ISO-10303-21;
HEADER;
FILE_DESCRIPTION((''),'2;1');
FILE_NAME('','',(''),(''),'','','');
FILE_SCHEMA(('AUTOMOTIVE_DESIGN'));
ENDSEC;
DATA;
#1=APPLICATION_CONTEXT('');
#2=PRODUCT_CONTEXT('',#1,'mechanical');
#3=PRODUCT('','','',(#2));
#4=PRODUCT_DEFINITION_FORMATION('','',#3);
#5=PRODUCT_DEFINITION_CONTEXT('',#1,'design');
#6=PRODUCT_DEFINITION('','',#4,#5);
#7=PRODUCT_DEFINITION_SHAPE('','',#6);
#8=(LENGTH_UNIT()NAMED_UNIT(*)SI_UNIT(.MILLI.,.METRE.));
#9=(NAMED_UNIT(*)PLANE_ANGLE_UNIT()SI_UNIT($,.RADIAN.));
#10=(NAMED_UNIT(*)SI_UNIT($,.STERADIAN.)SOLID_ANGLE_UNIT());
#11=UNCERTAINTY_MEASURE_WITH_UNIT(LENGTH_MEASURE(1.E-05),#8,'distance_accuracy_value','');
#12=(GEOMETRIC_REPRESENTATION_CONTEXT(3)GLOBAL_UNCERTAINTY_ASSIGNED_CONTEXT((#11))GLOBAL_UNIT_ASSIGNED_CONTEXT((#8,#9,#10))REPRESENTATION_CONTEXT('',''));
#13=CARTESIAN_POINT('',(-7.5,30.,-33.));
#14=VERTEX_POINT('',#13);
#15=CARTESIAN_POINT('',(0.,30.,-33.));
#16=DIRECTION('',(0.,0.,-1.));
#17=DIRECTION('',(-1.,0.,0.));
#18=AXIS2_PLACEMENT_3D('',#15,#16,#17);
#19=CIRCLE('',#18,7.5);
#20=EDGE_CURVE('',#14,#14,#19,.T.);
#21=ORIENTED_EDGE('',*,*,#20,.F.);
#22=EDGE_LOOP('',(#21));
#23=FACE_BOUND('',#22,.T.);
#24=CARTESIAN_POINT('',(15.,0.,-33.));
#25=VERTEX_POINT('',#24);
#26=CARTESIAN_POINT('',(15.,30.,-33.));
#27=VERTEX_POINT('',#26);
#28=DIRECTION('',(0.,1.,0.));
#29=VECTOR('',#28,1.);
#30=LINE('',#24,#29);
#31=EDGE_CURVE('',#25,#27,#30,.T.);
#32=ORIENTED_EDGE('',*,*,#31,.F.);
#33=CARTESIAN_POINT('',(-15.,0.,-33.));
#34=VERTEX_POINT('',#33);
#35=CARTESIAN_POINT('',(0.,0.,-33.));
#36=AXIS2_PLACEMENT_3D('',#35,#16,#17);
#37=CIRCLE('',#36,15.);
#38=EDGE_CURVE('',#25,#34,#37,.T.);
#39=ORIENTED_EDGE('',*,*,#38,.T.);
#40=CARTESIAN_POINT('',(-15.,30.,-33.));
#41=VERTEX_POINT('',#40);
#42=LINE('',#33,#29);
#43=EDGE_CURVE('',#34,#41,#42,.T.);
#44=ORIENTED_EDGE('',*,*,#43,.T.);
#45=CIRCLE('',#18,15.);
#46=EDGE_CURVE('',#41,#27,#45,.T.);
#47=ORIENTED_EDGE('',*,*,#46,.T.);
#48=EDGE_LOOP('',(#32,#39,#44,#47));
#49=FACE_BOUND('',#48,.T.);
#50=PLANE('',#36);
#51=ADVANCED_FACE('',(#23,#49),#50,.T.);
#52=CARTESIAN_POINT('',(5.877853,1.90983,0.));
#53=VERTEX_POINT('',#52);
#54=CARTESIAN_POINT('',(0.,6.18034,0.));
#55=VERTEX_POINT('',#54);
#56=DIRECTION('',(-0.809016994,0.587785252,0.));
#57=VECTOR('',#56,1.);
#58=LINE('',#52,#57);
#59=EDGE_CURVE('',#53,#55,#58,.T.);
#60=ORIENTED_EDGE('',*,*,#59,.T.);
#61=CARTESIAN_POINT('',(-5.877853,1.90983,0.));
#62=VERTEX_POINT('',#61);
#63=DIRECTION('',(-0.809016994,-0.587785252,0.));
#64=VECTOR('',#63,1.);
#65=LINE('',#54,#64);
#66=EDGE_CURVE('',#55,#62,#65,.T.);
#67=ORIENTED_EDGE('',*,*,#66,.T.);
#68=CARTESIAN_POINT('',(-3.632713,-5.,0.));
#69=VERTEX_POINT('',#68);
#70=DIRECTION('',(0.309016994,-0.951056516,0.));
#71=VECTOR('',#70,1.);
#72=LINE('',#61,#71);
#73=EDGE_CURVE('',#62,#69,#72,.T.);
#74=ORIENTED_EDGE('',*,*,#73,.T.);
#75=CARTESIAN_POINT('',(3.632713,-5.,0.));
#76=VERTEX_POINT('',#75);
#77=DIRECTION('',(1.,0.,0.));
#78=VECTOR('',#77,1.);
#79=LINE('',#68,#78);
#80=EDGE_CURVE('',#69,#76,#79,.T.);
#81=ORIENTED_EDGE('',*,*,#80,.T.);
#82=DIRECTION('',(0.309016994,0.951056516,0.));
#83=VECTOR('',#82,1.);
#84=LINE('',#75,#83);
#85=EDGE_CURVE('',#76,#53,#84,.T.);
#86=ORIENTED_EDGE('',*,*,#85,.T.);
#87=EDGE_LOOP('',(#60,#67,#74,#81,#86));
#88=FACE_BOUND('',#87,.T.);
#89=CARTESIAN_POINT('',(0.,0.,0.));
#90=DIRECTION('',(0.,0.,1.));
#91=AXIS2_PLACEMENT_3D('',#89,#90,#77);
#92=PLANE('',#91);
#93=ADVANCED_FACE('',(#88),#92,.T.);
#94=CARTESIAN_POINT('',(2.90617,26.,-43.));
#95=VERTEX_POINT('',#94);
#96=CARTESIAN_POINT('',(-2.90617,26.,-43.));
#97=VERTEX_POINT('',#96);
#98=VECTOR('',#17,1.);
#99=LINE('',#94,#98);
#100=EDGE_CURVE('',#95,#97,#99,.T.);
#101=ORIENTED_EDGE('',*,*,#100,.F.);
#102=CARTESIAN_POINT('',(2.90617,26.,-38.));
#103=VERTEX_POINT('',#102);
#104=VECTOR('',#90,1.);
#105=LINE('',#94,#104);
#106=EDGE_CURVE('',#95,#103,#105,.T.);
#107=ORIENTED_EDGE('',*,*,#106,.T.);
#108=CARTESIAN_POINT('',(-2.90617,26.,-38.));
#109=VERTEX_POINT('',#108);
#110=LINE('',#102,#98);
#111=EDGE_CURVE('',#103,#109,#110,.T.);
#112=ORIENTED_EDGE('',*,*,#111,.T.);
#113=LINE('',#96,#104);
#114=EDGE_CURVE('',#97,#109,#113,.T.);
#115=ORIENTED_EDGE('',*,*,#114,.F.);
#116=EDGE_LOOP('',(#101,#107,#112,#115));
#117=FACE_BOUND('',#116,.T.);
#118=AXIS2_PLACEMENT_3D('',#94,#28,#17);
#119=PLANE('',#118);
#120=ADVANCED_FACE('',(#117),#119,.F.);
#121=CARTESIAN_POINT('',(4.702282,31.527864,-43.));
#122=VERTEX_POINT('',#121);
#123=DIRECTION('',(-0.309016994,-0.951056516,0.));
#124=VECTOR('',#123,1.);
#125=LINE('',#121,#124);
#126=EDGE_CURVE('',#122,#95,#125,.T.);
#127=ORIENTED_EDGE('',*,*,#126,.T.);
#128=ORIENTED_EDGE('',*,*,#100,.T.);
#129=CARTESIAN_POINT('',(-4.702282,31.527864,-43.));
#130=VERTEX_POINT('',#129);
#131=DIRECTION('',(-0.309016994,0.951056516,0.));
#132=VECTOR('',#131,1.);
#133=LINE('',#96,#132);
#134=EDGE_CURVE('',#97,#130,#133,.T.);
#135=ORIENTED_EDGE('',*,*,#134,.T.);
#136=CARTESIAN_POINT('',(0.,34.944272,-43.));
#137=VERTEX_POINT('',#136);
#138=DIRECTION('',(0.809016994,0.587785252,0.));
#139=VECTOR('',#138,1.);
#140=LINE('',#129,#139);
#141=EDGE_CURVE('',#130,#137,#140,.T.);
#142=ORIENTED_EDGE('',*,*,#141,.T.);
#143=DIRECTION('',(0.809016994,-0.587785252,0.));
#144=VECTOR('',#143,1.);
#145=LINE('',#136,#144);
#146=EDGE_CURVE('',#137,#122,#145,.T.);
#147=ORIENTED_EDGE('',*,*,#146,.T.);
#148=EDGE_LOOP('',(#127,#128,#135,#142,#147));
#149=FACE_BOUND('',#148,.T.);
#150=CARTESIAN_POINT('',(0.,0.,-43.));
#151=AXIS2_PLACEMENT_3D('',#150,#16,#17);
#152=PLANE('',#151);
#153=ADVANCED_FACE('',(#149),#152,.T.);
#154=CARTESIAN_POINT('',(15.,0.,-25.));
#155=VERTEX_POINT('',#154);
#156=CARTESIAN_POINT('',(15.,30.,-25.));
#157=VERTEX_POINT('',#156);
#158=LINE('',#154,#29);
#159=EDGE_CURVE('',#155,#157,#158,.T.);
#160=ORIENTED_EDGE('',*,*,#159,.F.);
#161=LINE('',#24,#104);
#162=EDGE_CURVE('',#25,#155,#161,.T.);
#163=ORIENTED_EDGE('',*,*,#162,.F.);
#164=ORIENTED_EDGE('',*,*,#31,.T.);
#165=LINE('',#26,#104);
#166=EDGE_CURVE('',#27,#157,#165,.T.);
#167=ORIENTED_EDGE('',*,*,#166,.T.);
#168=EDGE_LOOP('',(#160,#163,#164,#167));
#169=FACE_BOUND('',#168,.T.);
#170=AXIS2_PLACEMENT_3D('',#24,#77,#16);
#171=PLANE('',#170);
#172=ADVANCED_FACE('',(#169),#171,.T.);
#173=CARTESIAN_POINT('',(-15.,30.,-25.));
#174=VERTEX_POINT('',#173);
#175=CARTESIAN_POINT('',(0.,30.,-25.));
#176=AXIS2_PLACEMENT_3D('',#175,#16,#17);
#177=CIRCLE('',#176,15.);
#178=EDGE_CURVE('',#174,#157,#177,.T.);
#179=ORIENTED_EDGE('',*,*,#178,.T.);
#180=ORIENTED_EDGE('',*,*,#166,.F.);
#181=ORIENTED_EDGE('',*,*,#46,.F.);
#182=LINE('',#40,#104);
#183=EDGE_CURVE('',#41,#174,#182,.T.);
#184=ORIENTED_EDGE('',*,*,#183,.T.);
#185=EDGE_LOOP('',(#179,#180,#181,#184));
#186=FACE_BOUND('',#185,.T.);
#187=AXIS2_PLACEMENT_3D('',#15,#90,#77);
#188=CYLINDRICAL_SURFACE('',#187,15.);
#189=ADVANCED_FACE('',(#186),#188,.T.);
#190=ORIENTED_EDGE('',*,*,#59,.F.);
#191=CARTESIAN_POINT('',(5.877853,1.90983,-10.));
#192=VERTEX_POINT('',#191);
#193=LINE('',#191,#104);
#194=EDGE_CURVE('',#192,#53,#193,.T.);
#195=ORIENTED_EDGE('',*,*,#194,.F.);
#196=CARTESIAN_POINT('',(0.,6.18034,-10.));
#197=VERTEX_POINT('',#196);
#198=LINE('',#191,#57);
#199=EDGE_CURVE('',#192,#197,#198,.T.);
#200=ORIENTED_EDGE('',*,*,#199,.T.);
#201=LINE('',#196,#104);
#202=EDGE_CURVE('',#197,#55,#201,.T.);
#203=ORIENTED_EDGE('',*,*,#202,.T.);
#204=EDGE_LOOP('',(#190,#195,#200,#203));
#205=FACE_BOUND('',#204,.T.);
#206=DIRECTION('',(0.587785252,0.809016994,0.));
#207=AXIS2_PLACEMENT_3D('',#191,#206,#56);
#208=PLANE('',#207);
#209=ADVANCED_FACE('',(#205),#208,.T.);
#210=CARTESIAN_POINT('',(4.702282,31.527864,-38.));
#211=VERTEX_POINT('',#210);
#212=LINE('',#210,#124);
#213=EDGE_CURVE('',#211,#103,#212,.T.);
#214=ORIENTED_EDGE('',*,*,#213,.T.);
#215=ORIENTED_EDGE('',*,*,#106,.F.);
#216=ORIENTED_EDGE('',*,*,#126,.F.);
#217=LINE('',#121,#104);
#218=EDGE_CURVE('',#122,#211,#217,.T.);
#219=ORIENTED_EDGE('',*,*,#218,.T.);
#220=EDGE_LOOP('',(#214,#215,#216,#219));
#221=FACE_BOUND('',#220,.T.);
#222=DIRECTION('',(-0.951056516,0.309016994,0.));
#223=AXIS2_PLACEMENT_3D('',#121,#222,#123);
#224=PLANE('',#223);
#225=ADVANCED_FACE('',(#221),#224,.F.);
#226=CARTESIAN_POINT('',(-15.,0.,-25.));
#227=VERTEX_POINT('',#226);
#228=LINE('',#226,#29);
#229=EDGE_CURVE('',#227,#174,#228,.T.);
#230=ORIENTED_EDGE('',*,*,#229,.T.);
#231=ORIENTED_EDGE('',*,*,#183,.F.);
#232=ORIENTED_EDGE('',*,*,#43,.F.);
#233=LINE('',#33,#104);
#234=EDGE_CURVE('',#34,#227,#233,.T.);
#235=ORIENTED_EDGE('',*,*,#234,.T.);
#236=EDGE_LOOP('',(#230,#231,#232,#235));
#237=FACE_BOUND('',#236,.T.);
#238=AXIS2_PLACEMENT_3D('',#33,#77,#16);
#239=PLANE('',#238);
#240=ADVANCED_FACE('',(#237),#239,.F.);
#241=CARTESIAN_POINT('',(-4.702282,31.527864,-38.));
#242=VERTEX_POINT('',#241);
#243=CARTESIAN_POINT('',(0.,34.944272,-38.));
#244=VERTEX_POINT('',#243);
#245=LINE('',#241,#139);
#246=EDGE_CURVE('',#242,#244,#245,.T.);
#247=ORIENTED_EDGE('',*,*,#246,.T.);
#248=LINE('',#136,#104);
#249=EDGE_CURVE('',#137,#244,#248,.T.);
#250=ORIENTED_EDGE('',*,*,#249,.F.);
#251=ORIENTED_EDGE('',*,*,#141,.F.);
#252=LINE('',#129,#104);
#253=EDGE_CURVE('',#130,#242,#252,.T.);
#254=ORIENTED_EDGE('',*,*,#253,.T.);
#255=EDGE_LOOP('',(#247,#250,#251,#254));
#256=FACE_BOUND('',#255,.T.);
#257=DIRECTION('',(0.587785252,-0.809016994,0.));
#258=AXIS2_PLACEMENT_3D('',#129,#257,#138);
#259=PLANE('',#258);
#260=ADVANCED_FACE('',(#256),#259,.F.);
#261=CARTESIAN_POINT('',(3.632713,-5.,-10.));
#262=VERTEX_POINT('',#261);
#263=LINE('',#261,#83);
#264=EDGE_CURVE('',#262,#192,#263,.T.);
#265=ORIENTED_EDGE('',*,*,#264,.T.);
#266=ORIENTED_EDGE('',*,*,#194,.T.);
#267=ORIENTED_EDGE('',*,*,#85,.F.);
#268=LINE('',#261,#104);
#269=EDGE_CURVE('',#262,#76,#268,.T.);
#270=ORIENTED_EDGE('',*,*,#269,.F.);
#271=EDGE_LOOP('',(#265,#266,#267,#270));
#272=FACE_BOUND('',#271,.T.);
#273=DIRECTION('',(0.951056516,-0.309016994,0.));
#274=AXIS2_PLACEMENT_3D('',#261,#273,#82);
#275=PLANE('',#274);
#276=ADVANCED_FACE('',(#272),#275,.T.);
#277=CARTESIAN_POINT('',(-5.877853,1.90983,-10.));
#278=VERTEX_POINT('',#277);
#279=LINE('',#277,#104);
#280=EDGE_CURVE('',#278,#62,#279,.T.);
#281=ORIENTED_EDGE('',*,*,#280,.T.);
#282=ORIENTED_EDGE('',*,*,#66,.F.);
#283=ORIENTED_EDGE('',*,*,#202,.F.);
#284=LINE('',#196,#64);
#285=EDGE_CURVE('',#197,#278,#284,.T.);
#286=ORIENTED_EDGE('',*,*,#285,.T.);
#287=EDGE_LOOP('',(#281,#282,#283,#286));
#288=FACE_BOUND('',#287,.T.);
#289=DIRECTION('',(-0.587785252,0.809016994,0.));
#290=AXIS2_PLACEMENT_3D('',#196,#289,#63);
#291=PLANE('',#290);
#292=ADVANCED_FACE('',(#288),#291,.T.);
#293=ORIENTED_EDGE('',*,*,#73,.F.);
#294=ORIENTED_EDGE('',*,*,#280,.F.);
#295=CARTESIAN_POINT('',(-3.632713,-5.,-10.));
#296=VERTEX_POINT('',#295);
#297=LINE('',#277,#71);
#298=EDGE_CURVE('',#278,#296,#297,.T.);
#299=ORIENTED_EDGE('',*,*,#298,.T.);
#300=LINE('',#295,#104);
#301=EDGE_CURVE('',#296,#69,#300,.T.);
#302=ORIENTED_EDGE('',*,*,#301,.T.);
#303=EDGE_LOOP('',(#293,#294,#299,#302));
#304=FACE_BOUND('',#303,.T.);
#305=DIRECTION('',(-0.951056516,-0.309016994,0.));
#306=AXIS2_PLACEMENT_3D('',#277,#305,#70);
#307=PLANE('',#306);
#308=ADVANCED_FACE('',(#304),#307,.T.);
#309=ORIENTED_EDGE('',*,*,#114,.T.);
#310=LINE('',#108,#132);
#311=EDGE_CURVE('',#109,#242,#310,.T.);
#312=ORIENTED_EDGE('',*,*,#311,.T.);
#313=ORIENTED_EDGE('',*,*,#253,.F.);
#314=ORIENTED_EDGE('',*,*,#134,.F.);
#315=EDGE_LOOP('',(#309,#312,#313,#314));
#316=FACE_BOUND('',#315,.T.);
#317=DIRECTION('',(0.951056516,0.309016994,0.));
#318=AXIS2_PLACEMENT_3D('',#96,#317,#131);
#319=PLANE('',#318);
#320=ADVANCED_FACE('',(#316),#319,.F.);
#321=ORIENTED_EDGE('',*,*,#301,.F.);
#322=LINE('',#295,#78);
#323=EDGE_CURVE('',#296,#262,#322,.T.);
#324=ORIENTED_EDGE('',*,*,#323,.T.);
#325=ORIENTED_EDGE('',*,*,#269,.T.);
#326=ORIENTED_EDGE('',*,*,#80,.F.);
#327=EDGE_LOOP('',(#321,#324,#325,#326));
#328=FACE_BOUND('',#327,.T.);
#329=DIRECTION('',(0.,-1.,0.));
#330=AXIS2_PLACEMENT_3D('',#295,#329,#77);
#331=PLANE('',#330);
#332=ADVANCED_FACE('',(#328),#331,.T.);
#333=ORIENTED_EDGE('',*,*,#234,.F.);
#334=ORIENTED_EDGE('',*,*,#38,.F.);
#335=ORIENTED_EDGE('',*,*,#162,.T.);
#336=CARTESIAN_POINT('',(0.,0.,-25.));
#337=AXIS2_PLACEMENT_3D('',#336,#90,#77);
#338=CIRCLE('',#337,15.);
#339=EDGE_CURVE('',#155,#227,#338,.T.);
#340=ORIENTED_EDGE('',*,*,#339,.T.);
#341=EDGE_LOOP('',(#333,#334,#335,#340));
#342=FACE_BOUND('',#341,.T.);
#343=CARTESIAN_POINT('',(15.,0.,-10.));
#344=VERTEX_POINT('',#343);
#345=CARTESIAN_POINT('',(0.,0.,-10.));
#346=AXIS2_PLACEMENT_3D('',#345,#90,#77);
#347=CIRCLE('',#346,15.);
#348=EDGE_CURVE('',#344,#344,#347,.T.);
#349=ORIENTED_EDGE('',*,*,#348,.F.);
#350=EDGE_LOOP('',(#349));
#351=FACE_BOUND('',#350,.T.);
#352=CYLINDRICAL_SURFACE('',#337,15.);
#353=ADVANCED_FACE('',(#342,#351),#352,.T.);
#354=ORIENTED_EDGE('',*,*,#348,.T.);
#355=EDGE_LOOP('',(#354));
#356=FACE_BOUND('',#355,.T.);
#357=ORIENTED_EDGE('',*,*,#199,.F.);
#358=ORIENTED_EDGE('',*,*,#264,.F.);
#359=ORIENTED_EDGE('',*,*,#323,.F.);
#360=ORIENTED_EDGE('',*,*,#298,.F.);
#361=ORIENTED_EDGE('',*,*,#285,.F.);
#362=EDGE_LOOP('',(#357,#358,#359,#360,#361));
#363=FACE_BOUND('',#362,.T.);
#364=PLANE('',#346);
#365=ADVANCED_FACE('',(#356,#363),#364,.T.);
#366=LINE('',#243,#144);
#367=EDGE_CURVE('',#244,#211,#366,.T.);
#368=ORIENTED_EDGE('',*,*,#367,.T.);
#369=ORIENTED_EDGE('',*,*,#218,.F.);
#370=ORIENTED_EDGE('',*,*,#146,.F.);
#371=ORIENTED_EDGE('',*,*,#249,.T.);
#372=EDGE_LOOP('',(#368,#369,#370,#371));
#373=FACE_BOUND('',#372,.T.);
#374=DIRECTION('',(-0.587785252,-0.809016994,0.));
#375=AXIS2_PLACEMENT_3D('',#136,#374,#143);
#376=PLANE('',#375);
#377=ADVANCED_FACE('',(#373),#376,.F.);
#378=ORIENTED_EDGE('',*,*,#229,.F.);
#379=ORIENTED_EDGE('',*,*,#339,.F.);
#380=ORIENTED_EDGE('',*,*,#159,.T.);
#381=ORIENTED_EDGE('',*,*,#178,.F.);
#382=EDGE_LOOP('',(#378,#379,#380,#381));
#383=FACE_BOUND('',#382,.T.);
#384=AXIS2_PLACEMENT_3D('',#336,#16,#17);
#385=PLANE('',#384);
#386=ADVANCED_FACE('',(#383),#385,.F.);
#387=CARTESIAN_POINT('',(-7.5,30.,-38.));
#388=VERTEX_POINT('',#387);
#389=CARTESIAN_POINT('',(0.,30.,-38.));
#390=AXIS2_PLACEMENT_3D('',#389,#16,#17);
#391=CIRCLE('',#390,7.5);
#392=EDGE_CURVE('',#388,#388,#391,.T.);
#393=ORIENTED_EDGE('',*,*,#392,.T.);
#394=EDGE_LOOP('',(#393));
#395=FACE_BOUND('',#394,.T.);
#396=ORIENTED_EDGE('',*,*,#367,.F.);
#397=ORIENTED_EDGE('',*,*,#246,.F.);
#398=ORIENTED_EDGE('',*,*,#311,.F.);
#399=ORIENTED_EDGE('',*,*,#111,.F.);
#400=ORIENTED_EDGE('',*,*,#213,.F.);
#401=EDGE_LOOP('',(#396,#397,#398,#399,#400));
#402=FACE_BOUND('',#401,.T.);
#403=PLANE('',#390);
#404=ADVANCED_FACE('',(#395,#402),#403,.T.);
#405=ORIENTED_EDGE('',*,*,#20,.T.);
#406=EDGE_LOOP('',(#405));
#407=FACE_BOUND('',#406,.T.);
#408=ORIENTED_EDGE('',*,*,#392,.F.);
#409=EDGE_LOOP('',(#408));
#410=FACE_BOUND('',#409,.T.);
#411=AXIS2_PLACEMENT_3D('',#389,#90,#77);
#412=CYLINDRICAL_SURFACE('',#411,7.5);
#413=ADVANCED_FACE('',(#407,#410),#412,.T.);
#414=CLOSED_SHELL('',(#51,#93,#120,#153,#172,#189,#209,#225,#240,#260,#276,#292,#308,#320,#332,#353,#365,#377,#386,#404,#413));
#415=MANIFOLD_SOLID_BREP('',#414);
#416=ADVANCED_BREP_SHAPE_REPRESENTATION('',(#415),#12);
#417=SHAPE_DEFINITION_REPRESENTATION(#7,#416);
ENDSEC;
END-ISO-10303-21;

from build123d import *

# Parameters (mm, degrees)
SKETCH_5_R          = 15
EXTRUDE_5_DEPTH     = 25
SKETCH_6_R          = 10
SKETCH_6_R_2        = 15
EXTRUDE_6_DEPTH     = 8
SKETCH_8_R          = 7.5
EXTRUDE_7_DEPTH     = 5
SKETCH_16_R         = 15
CUT_EXTRUDE_1_DEPTH = 10
EXTRUDE_14_DEPTH    = 5


with BuildPart() as part:
    # 스케치5 → 보스-돌출5 (new body)
    with BuildSketch(Plane.XY):
        Circle(SKETCH_5_R)
    extrude(amount=-EXTRUDE_5_DEPTH)

    # 스케치6 → 보스-돌출6 (add)
    with BuildSketch(Plane(origin=(0, 0, -25), x_dir=(-1, 0, 0), z_dir=(0, 0, -1))):
        with BuildLine():
            ThreePointArc((-15, 0), (0, -15), (15, 0))
            Line((15, 0), (-15, 0))
        make_face()
        with BuildLine():
            Line((-15, 0), (15, 0))
            ThreePointArc((15, 0), (0, 15), (-15, 0))
        make_face()
        with BuildLine():
            ThreePointArc((-15, 0), (0, 15), (15, 0))
            Line((15, 0), (15, 30))
            Line((15, 30), (10, 30))
            ThreePointArc((10, 30), (0, 20), (-10, 30))
            Line((-10, 30), (-15, 30))
            Line((-15, 30), (-15, 0))
        make_face()
        with Locations((0, 30)):
            Circle(SKETCH_6_R)
        with BuildLine():
            Line((15, 30), (-15, 30))
            ThreePointArc((-15, 30), (0, 45), (15, 30))
        make_face()
        with Locations(Location((0, 0, 0), (0, 0, 180))):
            Circle(SKETCH_6_R_2)
    extrude(amount=EXTRUDE_6_DEPTH)

    # 스케치8 → 보스-돌출7 (add)
    with BuildSketch(Plane(origin=(0, 0, -33), x_dir=(-1, 0, 0), z_dir=(0, 0, -1))):
        with Locations((0, 30)):
            Circle(SKETCH_8_R)
    extrude(amount=EXTRUDE_7_DEPTH)

    # 스케치16 → 컷-돌출1 (cut)
    with BuildSketch(Plane.XY):
        Circle(SKETCH_16_R)
        Polygon((0, 6.180339887), (-5.877852523, 1.909830056), (-3.63271264, -5), (3.63271264, -5), (5.877852523, 1.909830056), align=None, mode=Mode.SUBTRACT)
    extrude(amount=-CUT_EXTRUDE_1_DEPTH, mode=Mode.SUBTRACT)

    # 스케치19 → 보스-돌출14 (add)
    with BuildSketch(Plane(origin=(0, 0, -38), x_dir=(-1, 0, 0), z_dir=(0, 0, -1))):
        Polygon((0, 34.94427191), (-4.702282018, 31.527864045), (-2.906170112, 26), (2.906170112, 26), (4.702282018, 31.527864045), align=None)
    extrude(amount=EXTRUDE_14_DEPTH)


solid = part.part
